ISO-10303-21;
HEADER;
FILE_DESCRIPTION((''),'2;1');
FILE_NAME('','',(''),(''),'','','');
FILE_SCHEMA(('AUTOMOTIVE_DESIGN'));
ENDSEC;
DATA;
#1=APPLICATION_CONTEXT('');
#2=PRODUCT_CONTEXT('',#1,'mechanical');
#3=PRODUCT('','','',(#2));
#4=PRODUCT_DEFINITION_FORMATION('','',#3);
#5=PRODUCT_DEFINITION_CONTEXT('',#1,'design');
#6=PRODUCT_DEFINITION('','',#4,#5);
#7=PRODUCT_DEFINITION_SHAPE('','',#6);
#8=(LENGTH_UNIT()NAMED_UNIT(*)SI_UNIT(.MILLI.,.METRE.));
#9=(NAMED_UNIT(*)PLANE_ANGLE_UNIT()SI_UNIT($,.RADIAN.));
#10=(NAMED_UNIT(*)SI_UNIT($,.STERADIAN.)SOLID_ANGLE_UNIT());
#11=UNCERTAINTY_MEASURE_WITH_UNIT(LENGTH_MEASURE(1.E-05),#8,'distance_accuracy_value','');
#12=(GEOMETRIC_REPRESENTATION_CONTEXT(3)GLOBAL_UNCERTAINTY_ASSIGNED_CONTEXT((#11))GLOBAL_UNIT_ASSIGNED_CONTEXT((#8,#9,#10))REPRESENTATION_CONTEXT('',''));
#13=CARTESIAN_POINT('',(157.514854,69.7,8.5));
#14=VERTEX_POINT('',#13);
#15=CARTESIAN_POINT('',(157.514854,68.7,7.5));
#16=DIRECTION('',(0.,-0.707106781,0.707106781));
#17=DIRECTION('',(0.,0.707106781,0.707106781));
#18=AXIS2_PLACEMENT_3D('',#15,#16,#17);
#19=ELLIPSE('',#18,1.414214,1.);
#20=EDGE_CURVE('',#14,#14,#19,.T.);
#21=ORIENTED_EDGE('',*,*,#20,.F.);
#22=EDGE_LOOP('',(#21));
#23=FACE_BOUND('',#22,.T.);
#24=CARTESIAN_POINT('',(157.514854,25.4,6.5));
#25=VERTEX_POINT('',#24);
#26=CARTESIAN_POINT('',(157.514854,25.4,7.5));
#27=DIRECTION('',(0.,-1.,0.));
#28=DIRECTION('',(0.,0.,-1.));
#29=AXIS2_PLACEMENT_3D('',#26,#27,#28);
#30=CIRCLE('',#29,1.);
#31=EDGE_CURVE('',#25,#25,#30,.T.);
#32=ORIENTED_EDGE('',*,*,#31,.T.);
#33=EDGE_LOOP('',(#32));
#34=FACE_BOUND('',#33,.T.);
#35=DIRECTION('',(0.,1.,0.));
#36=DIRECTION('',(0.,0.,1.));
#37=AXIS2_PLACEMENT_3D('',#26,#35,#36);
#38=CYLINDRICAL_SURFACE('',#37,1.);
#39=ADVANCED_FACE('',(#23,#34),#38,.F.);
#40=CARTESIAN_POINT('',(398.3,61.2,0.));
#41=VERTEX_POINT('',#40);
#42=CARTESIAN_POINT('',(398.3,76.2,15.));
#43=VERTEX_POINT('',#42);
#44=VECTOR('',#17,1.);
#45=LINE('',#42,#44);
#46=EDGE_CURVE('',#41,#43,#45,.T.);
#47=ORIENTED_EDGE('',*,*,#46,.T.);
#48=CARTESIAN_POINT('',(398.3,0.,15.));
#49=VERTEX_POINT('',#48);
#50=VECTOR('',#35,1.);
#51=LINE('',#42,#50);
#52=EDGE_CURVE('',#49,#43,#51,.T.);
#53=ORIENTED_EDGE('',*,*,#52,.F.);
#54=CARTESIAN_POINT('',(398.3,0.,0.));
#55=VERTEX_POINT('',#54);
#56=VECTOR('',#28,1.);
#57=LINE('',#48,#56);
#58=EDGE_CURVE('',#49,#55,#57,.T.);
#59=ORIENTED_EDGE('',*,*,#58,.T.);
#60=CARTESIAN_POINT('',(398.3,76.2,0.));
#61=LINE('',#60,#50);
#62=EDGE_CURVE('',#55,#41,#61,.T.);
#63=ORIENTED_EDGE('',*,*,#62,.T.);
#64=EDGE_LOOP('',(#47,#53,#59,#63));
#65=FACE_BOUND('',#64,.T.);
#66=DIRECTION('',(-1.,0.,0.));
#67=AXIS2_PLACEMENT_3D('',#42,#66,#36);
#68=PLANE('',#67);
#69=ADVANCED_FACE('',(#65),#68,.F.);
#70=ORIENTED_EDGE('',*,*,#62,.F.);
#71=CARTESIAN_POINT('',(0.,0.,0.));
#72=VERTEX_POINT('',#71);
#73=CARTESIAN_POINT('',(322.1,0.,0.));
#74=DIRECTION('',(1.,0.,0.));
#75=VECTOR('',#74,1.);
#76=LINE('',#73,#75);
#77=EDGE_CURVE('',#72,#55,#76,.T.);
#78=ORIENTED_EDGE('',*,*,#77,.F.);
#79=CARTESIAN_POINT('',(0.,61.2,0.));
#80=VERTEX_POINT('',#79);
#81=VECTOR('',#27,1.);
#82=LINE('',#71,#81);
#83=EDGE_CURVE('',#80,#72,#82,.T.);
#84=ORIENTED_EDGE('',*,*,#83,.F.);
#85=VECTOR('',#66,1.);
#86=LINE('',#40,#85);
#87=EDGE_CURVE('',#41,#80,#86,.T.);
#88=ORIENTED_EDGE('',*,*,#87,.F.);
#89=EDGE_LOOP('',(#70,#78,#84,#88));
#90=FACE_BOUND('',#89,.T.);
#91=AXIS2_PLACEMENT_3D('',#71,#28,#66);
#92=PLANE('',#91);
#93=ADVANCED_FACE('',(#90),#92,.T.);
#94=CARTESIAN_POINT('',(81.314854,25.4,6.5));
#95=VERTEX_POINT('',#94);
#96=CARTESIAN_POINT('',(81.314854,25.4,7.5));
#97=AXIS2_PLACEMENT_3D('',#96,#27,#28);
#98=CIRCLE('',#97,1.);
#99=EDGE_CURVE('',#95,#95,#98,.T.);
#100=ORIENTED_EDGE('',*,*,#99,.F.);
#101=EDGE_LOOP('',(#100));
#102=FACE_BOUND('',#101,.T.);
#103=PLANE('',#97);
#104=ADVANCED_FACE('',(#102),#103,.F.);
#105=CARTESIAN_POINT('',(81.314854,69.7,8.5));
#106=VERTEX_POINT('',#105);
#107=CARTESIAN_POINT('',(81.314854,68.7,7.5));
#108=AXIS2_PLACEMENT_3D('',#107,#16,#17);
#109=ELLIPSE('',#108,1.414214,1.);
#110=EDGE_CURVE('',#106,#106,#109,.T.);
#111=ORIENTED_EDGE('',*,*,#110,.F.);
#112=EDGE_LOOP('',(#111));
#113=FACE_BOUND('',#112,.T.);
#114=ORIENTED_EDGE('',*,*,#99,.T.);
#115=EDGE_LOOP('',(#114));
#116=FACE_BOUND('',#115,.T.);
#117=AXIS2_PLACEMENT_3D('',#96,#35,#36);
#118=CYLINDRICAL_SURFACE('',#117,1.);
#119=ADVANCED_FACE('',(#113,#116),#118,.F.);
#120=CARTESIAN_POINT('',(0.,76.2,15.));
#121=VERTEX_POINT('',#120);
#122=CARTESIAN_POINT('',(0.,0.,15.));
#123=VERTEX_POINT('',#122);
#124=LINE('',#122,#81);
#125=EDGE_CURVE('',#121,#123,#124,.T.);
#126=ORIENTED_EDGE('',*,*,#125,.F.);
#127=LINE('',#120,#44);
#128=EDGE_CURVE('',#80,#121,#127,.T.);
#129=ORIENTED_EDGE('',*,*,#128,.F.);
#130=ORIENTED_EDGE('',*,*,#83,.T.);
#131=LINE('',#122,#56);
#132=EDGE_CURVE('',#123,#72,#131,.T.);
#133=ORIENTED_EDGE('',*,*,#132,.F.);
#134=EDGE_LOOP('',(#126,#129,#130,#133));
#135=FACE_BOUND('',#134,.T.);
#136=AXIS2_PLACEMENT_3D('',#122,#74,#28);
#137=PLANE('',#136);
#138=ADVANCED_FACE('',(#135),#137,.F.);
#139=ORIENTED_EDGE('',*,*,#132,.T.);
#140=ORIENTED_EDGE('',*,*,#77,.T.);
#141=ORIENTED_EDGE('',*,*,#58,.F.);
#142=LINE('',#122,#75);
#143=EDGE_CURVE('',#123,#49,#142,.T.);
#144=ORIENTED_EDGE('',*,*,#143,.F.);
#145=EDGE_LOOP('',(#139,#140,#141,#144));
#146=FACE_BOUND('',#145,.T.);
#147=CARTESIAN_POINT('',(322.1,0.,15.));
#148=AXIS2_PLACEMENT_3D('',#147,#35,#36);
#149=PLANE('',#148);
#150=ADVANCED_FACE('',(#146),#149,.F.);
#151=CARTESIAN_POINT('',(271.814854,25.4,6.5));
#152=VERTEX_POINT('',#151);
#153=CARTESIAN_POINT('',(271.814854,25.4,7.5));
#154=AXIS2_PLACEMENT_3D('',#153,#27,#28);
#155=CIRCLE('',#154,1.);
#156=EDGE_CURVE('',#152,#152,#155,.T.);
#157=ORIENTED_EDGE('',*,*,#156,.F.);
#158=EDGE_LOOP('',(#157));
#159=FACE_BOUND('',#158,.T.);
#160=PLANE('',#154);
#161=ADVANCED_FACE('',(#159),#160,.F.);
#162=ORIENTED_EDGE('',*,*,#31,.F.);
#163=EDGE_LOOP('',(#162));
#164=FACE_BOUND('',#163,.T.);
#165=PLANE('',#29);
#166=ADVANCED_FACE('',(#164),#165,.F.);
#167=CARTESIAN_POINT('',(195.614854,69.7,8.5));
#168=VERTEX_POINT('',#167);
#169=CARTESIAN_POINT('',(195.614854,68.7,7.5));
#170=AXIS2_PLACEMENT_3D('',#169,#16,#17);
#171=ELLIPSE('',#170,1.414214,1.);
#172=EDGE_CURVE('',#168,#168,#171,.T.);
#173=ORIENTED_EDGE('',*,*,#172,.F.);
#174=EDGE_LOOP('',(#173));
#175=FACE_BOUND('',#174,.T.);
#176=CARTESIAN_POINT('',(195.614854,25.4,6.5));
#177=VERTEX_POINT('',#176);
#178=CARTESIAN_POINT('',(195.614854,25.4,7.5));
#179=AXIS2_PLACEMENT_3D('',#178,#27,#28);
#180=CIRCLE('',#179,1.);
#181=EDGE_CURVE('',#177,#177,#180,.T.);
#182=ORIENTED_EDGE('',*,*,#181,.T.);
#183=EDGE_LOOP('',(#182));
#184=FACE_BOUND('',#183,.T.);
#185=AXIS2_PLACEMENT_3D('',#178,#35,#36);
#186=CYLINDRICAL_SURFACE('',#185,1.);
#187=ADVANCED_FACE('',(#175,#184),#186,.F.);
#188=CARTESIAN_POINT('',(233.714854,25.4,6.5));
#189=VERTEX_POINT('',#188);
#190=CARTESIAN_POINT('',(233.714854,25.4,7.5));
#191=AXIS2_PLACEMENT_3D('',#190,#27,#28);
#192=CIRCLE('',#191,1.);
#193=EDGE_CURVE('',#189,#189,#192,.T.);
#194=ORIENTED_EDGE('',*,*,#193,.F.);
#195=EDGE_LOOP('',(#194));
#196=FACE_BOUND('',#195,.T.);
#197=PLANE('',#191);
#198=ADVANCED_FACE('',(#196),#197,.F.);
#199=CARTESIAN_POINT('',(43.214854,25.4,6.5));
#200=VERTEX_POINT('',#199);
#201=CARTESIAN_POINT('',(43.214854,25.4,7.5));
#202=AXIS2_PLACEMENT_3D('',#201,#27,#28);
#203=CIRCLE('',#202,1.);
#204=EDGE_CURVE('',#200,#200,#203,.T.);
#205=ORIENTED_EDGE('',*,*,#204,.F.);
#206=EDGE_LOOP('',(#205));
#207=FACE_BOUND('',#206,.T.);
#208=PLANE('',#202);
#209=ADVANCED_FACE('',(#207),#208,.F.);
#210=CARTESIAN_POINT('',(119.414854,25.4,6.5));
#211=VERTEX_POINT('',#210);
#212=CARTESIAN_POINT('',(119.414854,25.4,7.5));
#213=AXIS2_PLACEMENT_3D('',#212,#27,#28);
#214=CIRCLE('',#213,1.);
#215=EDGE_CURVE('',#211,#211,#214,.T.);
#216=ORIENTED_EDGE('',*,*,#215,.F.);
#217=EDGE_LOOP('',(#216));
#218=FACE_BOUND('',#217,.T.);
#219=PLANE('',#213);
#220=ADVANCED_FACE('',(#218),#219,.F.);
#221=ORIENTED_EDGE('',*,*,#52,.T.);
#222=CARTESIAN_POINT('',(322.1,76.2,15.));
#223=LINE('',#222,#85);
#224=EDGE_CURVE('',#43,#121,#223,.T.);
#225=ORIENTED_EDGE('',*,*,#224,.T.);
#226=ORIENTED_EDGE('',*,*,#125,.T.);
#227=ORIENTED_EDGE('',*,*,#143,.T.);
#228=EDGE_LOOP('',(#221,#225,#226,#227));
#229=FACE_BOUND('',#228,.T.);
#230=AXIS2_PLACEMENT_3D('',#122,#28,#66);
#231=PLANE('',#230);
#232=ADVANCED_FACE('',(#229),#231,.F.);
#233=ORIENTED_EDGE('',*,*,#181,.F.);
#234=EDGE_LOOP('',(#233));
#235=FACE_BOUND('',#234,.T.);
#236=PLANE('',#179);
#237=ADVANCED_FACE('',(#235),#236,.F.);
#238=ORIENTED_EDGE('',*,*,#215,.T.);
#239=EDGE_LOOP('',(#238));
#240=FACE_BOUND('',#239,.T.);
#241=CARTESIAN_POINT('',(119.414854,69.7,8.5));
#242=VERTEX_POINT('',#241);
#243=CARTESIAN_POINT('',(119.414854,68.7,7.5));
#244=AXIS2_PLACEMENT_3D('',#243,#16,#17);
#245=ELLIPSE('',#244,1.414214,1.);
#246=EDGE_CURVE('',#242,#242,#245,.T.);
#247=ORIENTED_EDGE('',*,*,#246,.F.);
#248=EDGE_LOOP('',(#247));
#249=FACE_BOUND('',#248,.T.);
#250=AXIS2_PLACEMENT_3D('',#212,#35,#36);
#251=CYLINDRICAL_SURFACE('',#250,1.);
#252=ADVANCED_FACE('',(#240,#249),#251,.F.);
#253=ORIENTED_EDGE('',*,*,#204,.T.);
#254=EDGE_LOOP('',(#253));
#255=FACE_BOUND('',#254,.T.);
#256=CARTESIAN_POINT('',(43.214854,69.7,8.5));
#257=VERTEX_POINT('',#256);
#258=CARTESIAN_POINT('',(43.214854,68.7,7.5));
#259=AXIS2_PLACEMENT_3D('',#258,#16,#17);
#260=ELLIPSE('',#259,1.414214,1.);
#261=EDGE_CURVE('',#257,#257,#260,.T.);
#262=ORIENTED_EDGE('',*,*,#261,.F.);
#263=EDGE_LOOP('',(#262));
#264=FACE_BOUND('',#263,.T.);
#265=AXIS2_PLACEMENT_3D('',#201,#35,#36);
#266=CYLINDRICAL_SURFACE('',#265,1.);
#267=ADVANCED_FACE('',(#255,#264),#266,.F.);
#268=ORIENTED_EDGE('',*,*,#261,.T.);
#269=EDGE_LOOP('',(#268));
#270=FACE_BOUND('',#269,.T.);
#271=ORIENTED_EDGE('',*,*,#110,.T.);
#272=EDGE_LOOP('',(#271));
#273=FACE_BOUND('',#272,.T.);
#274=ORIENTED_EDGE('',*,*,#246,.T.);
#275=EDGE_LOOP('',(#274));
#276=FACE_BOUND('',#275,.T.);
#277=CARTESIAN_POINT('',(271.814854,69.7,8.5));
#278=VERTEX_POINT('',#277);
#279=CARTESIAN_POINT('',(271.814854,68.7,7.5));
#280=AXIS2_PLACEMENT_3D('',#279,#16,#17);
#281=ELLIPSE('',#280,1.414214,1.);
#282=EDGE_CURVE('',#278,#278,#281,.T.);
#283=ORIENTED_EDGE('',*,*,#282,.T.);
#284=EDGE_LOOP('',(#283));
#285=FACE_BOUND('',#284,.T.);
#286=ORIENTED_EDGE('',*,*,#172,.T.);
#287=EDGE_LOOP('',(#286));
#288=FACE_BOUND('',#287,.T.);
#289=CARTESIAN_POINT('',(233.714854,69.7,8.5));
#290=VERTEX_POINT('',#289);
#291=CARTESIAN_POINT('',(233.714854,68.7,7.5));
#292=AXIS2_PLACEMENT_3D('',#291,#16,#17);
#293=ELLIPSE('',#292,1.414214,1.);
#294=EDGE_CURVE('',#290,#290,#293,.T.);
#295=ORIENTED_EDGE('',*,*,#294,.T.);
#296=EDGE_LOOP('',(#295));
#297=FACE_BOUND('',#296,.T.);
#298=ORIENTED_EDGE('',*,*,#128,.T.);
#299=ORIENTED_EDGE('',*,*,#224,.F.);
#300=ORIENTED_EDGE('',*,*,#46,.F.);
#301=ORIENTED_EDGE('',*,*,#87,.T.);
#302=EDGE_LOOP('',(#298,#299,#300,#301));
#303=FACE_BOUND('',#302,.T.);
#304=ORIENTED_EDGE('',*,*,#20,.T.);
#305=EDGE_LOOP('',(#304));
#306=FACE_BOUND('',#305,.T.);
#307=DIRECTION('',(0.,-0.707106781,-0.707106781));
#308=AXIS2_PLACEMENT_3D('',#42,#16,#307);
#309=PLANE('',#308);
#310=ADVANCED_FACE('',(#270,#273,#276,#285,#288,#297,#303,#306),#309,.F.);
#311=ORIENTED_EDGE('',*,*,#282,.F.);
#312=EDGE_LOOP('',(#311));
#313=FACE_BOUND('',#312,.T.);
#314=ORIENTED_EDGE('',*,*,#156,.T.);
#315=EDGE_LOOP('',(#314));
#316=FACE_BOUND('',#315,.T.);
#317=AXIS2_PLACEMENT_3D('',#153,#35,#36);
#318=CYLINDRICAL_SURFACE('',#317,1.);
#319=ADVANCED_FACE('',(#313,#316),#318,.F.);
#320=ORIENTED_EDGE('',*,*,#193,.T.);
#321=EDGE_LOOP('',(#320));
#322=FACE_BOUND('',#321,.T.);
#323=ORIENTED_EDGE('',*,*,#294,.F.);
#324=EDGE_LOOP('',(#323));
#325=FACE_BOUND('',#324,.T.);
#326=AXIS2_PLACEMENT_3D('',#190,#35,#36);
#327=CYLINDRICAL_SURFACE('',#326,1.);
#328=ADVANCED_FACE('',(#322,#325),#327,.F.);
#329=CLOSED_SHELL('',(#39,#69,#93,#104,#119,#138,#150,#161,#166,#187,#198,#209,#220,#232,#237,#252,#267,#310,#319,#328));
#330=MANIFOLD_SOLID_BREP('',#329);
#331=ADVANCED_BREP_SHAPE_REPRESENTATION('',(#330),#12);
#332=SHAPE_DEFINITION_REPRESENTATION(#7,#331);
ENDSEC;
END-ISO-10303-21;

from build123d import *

# Parameters (mm, degrees)
EXTRUDE_1_DEPTH     = 15
CUT_EXTRUDE_START   = 76.2
SKETCH_6_R          = 1
CUT_EXTRUDE_1_DEPTH = 50.8
CUT_EXTRUDE_2_DEPTH = 406.800850172


with BuildPart() as part:
    # 草图1 → 凸台-拉伸1 (new body)
    with BuildSketch(Plane.XY):
        Polygon((0, 0), (322.1, 0), (398.3, 0), (398.3, 76.2), (322.1, 76.2), (0, 76.2), align=None)
    extrude(amount=EXTRUDE_1_DEPTH)

    # 草图6 → 切除-拉伸1 (cut)
    with BuildSketch(Plane(origin=(0, 0, 0), x_dir=(1, 0, 0), z_dir=(0, 1, 0)).offset(CUT_EXTRUDE_START)):
        with Locations(Location((157.514854478, -7.5, 0), (0, 0, 90))):
            Circle(SKETCH_6_R)
        with Locations(Location((195.614854478, -7.5, 0), (0, 0, 90))):
            Circle(SKETCH_6_R)
        with Locations(Location((233.714854478, -7.5, 0), (0, 0, 90))):
            Circle(SKETCH_6_R)
        with Locations(Location((271.814854478, -7.5, 0), (0, 0, 90))):
            Circle(SKETCH_6_R)
        with Locations(Location((119.414854478, -7.5, 0), (0, 0, 90))):
            Circle(SKETCH_6_R)
        with Locations(Location((81.314854478, -7.5, 0), (0, 0, 90))):
            Circle(SKETCH_6_R)
        with Locations(Location((43.214854478, -7.5, 0), (0, 0, 90))):
            Circle(SKETCH_6_R)
    extrude(amount=-CUT_EXTRUDE_1_DEPTH, mode=Mode.SUBTRACT)

    # 草图3 → 切除-拉伸2 (cut, through all)
    with BuildSketch(Plane.ZY):
        Polygon((0, 76.2), (15, 76.2), (0, 61.2), align=None)
    extrude(amount=-CUT_EXTRUDE_2_DEPTH, mode=Mode.SUBTRACT)


solid = part.part
